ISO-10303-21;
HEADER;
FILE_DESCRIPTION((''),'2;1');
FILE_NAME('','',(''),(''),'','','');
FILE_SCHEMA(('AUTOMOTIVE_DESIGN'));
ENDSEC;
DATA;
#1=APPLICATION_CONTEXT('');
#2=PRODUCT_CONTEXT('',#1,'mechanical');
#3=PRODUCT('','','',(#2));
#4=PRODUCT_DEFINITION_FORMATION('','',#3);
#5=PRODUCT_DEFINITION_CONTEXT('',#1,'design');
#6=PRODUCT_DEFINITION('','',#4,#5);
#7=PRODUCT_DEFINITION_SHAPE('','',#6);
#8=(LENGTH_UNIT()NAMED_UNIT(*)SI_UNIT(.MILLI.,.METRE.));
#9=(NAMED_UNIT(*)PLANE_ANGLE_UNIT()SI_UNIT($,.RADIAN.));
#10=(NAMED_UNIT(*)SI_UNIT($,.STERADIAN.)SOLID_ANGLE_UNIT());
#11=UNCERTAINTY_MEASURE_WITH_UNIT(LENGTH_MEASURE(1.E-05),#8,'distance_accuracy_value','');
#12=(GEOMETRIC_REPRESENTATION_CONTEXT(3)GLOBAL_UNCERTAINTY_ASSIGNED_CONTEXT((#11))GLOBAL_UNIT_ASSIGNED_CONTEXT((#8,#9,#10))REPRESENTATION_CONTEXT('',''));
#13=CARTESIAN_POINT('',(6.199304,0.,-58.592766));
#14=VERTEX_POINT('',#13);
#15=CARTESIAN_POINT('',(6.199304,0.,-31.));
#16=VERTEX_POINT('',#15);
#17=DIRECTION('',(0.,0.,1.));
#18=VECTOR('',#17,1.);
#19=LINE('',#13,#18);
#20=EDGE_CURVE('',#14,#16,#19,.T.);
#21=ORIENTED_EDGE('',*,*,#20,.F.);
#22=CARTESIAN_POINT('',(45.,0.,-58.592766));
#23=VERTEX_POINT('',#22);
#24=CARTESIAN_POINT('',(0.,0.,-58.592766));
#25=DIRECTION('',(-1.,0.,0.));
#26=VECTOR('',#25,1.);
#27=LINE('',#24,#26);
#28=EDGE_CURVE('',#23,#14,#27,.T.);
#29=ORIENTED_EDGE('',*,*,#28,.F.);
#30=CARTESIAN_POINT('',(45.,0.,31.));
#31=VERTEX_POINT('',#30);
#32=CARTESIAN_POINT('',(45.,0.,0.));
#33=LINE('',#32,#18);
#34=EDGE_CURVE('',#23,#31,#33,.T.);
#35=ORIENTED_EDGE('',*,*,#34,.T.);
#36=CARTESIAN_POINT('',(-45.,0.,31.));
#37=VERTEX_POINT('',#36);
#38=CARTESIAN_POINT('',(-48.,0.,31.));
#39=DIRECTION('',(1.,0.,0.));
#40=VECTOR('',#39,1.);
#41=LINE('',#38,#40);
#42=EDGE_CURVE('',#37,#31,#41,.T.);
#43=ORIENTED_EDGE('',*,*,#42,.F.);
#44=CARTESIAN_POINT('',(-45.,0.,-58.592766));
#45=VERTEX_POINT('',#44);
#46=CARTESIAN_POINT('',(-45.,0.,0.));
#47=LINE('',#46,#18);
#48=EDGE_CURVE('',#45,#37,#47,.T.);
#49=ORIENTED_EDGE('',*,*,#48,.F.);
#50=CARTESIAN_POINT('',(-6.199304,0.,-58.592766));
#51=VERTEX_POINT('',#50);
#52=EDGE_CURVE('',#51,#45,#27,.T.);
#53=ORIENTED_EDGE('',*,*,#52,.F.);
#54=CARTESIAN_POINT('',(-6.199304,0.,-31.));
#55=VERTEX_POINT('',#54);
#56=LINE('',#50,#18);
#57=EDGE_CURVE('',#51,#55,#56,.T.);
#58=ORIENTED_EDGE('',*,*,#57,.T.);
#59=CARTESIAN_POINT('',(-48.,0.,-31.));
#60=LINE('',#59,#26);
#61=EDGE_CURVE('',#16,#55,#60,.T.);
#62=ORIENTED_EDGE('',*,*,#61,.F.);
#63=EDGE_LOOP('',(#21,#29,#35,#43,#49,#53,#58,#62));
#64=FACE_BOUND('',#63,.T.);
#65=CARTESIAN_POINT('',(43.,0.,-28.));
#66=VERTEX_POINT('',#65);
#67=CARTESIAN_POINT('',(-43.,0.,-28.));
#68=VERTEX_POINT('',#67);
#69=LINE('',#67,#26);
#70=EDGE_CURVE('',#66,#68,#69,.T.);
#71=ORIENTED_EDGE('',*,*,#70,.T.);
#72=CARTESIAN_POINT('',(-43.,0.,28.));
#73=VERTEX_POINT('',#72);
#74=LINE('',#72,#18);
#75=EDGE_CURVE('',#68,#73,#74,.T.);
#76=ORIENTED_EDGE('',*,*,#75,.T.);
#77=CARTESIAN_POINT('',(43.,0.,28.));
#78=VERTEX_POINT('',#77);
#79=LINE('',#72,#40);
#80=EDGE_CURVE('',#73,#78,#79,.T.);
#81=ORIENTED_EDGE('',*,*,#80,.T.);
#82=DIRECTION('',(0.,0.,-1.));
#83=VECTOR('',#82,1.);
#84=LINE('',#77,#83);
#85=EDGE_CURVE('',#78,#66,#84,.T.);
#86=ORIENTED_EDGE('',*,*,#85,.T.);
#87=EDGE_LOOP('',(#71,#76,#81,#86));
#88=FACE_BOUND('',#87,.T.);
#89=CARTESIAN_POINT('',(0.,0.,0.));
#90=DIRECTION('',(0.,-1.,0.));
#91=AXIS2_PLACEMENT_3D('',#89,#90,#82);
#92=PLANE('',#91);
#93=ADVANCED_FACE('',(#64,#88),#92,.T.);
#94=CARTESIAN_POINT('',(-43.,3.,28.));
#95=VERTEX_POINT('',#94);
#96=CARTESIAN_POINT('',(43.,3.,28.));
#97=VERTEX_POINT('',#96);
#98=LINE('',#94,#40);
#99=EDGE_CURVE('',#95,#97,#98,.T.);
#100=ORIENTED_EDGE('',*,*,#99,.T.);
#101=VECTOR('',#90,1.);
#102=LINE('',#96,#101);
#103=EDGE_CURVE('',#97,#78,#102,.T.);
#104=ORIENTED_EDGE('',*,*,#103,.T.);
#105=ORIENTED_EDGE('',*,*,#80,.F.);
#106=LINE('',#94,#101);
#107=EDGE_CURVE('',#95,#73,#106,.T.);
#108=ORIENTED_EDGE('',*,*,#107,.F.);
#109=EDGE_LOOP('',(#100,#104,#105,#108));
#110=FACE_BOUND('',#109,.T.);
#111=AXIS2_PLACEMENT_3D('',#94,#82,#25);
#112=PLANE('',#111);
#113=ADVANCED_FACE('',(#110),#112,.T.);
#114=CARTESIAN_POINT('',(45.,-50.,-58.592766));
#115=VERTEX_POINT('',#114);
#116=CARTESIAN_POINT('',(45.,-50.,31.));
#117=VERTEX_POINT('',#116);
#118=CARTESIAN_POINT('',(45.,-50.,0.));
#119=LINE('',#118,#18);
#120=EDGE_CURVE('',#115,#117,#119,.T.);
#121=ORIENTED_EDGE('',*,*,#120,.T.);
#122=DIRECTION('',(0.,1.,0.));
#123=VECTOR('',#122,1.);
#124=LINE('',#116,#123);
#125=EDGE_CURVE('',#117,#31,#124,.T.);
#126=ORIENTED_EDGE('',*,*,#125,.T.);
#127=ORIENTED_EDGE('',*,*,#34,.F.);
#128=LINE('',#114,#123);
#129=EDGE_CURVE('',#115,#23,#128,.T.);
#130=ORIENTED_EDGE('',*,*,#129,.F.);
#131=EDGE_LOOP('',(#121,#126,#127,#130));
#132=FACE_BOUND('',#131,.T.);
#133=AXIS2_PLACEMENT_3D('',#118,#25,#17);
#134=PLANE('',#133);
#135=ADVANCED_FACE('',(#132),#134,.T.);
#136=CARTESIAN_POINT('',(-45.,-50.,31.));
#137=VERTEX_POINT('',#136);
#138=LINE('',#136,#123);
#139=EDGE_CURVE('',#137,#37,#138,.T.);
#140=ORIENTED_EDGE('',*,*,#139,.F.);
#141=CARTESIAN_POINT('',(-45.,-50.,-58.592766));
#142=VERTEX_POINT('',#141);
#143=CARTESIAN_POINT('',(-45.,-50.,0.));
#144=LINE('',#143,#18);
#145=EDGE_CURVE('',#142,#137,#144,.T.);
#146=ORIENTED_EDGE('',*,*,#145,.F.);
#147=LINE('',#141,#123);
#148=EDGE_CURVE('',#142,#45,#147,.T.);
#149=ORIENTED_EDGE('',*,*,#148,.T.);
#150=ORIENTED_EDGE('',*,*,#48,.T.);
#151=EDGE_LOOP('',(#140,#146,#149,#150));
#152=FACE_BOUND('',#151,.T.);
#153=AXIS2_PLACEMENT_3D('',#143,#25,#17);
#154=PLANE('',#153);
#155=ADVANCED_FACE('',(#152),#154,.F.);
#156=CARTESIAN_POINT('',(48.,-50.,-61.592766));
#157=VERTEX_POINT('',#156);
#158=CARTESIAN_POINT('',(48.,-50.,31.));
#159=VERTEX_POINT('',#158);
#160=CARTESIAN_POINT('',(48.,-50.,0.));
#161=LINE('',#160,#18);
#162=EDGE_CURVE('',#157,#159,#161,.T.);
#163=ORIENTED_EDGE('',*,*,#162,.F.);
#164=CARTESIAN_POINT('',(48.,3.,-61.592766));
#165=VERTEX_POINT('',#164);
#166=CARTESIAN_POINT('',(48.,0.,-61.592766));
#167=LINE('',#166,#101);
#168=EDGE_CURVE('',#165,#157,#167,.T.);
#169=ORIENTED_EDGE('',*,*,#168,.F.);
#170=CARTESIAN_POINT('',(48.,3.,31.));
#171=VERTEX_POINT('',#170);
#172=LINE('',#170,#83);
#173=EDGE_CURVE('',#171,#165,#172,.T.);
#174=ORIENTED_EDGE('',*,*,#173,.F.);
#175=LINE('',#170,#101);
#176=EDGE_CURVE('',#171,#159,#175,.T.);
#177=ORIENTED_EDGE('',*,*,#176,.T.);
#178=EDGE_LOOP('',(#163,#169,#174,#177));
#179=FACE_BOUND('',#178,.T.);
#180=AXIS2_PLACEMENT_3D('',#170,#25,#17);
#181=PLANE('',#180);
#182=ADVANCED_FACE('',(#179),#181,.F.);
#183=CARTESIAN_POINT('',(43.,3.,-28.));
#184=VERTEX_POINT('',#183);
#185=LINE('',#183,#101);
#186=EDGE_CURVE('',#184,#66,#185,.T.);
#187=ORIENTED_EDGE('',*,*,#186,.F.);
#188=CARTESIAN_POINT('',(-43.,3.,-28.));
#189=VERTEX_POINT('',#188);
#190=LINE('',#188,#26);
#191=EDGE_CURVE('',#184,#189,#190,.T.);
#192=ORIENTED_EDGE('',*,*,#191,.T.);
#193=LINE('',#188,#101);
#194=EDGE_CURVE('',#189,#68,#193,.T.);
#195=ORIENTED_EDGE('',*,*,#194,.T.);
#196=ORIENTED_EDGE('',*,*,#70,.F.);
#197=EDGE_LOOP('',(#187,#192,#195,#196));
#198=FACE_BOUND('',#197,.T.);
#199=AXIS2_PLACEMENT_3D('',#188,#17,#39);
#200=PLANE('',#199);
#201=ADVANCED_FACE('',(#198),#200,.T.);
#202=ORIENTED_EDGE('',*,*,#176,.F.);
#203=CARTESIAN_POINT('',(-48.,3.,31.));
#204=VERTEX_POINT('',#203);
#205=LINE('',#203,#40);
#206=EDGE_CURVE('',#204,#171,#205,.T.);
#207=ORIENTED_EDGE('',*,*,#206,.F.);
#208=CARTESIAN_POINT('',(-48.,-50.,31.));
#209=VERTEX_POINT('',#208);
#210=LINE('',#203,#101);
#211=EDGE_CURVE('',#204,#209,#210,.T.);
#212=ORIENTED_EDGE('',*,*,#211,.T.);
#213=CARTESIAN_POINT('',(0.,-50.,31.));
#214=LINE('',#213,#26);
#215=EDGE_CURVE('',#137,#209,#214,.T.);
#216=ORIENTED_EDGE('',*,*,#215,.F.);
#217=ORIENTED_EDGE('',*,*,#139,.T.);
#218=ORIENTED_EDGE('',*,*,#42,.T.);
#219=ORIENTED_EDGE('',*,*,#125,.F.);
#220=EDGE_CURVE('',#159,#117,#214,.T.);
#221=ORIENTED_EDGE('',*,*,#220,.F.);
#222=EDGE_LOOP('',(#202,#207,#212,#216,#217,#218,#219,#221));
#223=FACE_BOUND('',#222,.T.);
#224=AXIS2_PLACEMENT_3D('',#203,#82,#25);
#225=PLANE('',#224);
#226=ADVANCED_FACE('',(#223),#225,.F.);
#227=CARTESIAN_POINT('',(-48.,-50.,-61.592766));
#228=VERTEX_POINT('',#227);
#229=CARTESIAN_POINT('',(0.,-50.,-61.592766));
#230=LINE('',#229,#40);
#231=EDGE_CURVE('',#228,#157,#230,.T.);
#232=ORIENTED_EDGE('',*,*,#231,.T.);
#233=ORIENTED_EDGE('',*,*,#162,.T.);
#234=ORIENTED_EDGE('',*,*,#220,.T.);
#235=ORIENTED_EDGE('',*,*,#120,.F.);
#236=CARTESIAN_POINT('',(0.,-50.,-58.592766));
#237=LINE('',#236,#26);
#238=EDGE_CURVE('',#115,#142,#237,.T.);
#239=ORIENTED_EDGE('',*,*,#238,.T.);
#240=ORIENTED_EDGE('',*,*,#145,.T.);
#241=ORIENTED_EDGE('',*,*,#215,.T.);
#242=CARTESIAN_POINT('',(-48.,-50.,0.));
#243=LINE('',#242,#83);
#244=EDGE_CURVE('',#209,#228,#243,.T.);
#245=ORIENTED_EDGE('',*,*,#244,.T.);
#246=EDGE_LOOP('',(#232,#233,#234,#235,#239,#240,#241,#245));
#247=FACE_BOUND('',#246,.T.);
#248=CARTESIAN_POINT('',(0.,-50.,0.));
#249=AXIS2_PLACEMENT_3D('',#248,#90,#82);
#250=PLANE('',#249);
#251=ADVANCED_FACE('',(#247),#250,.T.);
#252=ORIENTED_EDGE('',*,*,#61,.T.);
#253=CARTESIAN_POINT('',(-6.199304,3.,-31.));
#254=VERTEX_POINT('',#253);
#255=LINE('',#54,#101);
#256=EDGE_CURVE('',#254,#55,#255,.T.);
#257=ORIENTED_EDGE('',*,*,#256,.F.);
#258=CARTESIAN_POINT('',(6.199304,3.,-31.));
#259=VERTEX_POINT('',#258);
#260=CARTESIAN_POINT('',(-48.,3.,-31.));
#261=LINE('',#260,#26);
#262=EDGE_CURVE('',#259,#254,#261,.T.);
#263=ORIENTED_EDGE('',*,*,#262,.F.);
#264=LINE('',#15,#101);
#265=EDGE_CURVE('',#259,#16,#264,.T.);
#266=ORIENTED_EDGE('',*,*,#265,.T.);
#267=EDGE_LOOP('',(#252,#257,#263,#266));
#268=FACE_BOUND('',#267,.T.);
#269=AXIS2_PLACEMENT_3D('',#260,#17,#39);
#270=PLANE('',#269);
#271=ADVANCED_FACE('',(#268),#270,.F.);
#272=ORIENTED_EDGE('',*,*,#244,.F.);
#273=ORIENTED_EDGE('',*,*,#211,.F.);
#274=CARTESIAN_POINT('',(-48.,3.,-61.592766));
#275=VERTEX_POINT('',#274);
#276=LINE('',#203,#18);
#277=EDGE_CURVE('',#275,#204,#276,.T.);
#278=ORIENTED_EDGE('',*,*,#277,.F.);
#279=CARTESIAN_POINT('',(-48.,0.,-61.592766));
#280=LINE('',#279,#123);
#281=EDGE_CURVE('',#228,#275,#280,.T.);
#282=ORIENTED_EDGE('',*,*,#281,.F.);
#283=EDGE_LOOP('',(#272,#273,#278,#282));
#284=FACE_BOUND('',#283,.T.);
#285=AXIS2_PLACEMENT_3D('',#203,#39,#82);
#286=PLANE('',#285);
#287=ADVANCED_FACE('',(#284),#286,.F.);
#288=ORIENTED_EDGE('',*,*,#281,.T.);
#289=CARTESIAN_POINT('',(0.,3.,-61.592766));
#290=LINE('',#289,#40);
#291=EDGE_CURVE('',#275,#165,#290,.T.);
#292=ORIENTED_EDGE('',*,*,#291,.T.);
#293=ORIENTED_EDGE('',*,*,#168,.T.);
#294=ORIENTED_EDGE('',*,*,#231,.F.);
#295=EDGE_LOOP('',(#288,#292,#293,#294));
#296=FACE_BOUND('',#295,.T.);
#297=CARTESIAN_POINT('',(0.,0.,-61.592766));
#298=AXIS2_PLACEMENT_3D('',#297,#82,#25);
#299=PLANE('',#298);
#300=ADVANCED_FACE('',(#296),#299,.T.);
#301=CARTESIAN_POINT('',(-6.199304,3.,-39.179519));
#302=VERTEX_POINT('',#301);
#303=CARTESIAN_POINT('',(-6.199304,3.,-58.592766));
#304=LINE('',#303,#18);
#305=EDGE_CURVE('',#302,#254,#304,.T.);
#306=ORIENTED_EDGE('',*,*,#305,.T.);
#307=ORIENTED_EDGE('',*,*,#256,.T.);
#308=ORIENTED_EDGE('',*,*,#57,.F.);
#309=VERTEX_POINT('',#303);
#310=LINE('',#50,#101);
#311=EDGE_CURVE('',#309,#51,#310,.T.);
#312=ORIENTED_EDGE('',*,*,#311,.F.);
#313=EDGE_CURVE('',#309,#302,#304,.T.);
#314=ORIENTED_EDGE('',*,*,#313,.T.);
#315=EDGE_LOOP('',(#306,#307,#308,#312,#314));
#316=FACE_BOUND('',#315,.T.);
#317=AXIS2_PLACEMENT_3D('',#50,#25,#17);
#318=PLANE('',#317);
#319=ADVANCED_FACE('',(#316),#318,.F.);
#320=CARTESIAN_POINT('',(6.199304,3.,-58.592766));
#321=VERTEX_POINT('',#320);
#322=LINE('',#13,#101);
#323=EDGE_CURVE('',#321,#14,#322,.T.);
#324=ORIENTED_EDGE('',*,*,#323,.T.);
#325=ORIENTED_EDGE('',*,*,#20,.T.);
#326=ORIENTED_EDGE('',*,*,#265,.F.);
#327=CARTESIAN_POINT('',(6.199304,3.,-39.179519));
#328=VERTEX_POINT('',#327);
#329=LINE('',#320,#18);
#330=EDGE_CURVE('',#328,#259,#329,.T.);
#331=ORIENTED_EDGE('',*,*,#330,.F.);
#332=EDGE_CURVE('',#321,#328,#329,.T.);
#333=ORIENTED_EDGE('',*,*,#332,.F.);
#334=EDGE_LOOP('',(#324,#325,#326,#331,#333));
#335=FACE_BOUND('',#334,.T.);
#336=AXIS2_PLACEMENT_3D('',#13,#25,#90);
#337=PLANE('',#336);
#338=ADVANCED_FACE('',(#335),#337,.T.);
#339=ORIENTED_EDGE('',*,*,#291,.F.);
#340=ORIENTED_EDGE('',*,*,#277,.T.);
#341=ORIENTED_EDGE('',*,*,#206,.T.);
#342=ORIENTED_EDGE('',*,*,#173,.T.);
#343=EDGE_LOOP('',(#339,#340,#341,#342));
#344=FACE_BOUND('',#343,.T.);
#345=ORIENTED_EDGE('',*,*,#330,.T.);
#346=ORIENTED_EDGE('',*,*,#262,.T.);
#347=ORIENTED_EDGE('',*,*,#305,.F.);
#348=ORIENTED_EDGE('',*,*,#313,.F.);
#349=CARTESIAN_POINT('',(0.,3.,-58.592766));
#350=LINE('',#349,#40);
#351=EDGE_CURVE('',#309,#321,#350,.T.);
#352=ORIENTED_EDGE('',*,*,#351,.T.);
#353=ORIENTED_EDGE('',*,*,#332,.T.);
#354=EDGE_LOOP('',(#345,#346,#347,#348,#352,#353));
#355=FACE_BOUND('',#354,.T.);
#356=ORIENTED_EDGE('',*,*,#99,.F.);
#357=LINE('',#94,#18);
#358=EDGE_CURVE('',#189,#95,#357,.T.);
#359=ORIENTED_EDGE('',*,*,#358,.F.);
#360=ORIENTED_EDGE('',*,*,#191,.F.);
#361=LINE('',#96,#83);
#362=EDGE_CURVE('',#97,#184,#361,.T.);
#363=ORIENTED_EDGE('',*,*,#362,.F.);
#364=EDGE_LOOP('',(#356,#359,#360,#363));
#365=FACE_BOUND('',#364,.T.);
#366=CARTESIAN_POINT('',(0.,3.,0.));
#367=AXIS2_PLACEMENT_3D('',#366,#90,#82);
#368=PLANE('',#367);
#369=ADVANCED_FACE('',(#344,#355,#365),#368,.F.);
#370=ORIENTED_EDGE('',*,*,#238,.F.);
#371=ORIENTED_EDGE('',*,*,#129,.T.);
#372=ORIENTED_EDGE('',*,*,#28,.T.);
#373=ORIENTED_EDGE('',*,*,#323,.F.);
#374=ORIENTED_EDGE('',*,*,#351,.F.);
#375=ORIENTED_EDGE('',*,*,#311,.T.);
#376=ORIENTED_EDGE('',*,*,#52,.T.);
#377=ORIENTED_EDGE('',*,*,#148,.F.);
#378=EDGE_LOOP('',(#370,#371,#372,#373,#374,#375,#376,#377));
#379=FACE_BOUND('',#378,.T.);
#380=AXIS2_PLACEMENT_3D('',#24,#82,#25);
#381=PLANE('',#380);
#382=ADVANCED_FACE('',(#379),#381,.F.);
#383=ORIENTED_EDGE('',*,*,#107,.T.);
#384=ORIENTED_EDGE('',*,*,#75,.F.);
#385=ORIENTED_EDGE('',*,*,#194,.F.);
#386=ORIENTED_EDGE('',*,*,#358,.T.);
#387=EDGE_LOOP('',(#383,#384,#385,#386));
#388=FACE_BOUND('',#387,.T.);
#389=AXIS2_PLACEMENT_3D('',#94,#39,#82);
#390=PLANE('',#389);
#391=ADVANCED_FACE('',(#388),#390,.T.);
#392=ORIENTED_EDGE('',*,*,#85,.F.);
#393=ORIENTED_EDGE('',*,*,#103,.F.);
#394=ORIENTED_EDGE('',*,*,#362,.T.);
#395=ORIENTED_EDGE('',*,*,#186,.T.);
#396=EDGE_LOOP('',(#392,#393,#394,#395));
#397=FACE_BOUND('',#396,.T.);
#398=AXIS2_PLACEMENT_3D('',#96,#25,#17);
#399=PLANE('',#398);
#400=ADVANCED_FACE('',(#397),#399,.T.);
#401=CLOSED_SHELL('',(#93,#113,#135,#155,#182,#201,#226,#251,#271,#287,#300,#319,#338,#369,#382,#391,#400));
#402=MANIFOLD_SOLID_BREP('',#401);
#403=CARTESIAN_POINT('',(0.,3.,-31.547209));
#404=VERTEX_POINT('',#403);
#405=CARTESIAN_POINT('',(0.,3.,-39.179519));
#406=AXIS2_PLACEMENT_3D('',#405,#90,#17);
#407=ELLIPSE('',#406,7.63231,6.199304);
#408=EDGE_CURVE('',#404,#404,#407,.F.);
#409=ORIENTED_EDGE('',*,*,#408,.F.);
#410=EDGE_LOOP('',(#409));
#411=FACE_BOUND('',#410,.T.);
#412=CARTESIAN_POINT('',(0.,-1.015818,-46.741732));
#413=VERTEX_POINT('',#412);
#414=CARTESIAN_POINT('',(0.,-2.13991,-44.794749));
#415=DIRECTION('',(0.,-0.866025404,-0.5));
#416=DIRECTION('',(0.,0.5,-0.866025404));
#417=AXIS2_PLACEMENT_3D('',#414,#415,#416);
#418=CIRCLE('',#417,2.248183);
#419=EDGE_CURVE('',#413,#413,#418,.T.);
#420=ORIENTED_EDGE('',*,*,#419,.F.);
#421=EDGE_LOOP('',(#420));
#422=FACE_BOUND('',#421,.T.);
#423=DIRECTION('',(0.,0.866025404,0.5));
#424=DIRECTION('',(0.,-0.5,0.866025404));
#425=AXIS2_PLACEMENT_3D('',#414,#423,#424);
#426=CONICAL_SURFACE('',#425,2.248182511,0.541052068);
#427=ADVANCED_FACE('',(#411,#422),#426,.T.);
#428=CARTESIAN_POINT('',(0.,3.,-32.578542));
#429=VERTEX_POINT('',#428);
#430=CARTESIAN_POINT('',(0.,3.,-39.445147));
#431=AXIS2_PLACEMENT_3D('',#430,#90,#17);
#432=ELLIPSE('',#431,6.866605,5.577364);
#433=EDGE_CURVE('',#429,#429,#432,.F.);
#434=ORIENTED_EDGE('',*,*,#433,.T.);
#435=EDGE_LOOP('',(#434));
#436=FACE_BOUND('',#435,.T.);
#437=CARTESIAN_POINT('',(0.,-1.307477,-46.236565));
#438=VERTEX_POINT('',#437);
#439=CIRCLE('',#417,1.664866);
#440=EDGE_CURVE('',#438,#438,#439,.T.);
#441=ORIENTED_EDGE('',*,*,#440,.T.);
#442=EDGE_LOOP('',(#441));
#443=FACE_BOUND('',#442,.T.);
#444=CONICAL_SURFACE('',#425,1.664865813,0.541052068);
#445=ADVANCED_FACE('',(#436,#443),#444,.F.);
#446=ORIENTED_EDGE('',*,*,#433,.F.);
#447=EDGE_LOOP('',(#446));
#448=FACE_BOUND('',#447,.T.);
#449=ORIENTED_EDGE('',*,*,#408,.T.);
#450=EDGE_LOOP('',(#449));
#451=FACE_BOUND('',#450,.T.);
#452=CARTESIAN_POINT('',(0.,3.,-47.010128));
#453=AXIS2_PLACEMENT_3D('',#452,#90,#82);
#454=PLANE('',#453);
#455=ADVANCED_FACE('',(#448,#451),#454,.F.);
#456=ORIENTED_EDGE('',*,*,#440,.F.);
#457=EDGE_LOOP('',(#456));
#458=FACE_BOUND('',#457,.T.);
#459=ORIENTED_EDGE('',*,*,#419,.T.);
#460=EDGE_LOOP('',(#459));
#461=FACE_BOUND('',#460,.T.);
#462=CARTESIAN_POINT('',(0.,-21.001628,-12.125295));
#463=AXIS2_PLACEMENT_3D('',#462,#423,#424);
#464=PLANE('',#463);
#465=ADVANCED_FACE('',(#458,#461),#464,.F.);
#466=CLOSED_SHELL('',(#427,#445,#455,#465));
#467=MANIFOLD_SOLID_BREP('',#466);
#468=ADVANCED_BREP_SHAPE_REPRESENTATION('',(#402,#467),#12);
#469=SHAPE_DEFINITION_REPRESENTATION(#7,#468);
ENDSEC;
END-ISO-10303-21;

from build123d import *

# Parameters (mm, degrees)
SKETCH1_W               = 96
SKETCH1_H               = 62
SKETCH1_W_2             = 86
SKETCH1_H_2             = 56
BOSS_EXTRUDE1_DEPTH     = 3
CUT_EXTRUDE1_DEPTH      = 80.713392874
CUT_EXTRUDE1_DEPTH_BACK = 80.713392874
SKETCH6_W               = 96
SKETCH6_H               = 13.293726608
SKETCH8_W               = 41.800696096
SKETCH8_H               = 3
BOSS_EXTRUDE2_DEPTH     = 27.592766
SKETCH9_W               = 41.800696096
SKETCH9_H               = 3
SKETCH9_W_2             = 12.398607808
BOSS_EXTRUDE3_DEPTH     = 3
BOSS_EXTRUDE4_DEPTH     = 50


with BuildPart() as part:
    # Sketch1 → Boss-Extrude1 (new body)
    with BuildSketch(Plane(origin=(0, 0, 0), x_dir=(1, 0, 0), z_dir=(0, 1, 0))):
        Rectangle(SKETCH1_W, SKETCH1_H)
        Rectangle(SKETCH1_W_2, SKETCH1_H_2, mode=Mode.SUBTRACT)
    extrude(amount=BOSS_EXTRUDE1_DEPTH)

    # Sketch8 → Boss-Extrude2 (add)
    with BuildSketch(Plane(origin=(0, 0, -31), x_dir=(-1, 0, 0), z_dir=(0, 0, -1))):
        with Locations((-27.099651952, 1.5)):
            Rectangle(SKETCH8_W, SKETCH8_H)
        with Locations((27.099651952, 1.5)):
            Rectangle(SKETCH8_W, SKETCH8_H)
    extrude(amount=BOSS_EXTRUDE2_DEPTH)


with BuildPart() as body_2:
    # Sketch5 → Revolve4 (revolve)
    with BuildSketch(Plane(origin=(0, 0, 0), x_dir=(0, 0, -1), z_dir=(1, 0, 0))):
        Polygon((42.847766111, -3.264000825), (43.35293319, -2.972342476), (32.435517398, 3.079279916), (29.397254743, 4.191739373), align=None)
    revolve(axis=Axis((0, -3.698755296, -45.694749278), (0, 0.8660254037844369, 0.500000000000003)))

    # Sketch6 → Cut-Extrude1 (cut, two sides: drawn at the far end of the back side and taken through both)
    with BuildSketch(Plane(origin=(0, 0, -31), x_dir=(-1, 0, 0), z_dir=(0, 0, -1)).offset(-CUT_EXTRUDE1_DEPTH_BACK)):
        with Locations((0, 9.646863304)):
            Rectangle(SKETCH6_W, SKETCH6_H)
    extrude(amount=CUT_EXTRUDE1_DEPTH + CUT_EXTRUDE1_DEPTH_BACK, mode=Mode.SUBTRACT)


with BuildPart() as boss_extrude3_tool:
    # Sketch9 → Boss-Extrude3 (new body)
    with BuildSketch(Plane(origin=(0, 0, -58.59276647), x_dir=(-1, 0, 0), z_dir=(0, 0, -1))):
        with Locations((27.099651952, 1.5)):
            Rectangle(SKETCH9_W, SKETCH9_H)
        with Locations((0, 1.5)):
            Rectangle(SKETCH9_W_2, SKETCH9_H)
        with Locations((-27.099651952, 1.5)):
            Rectangle(SKETCH9_W, SKETCH9_H)
    extrude(amount=BOSS_EXTRUDE3_DEPTH)


with BuildPart() as part_1:
    add(part.part)


with BuildPart() as part_2:
    # Boss-Extrude3: joined with boss_extrude3_tool
    add(part_1.part.fuse(boss_extrude3_tool.part, tol=0.00001))

    # Sketch10 → Boss-Extrude4 (add)
    with BuildSketch(Plane.XZ):
        Polygon((48, -61.59276647), (48, 31), (45, 31), (45, -58.59276647), (-45, -58.59276647), (-45, 31), (-48, 31), (-48, -61.59276647), align=None)
    extrude(amount=BOSS_EXTRUDE4_DEPTH)


solid = Compound([body_2.part, part_2.part])
